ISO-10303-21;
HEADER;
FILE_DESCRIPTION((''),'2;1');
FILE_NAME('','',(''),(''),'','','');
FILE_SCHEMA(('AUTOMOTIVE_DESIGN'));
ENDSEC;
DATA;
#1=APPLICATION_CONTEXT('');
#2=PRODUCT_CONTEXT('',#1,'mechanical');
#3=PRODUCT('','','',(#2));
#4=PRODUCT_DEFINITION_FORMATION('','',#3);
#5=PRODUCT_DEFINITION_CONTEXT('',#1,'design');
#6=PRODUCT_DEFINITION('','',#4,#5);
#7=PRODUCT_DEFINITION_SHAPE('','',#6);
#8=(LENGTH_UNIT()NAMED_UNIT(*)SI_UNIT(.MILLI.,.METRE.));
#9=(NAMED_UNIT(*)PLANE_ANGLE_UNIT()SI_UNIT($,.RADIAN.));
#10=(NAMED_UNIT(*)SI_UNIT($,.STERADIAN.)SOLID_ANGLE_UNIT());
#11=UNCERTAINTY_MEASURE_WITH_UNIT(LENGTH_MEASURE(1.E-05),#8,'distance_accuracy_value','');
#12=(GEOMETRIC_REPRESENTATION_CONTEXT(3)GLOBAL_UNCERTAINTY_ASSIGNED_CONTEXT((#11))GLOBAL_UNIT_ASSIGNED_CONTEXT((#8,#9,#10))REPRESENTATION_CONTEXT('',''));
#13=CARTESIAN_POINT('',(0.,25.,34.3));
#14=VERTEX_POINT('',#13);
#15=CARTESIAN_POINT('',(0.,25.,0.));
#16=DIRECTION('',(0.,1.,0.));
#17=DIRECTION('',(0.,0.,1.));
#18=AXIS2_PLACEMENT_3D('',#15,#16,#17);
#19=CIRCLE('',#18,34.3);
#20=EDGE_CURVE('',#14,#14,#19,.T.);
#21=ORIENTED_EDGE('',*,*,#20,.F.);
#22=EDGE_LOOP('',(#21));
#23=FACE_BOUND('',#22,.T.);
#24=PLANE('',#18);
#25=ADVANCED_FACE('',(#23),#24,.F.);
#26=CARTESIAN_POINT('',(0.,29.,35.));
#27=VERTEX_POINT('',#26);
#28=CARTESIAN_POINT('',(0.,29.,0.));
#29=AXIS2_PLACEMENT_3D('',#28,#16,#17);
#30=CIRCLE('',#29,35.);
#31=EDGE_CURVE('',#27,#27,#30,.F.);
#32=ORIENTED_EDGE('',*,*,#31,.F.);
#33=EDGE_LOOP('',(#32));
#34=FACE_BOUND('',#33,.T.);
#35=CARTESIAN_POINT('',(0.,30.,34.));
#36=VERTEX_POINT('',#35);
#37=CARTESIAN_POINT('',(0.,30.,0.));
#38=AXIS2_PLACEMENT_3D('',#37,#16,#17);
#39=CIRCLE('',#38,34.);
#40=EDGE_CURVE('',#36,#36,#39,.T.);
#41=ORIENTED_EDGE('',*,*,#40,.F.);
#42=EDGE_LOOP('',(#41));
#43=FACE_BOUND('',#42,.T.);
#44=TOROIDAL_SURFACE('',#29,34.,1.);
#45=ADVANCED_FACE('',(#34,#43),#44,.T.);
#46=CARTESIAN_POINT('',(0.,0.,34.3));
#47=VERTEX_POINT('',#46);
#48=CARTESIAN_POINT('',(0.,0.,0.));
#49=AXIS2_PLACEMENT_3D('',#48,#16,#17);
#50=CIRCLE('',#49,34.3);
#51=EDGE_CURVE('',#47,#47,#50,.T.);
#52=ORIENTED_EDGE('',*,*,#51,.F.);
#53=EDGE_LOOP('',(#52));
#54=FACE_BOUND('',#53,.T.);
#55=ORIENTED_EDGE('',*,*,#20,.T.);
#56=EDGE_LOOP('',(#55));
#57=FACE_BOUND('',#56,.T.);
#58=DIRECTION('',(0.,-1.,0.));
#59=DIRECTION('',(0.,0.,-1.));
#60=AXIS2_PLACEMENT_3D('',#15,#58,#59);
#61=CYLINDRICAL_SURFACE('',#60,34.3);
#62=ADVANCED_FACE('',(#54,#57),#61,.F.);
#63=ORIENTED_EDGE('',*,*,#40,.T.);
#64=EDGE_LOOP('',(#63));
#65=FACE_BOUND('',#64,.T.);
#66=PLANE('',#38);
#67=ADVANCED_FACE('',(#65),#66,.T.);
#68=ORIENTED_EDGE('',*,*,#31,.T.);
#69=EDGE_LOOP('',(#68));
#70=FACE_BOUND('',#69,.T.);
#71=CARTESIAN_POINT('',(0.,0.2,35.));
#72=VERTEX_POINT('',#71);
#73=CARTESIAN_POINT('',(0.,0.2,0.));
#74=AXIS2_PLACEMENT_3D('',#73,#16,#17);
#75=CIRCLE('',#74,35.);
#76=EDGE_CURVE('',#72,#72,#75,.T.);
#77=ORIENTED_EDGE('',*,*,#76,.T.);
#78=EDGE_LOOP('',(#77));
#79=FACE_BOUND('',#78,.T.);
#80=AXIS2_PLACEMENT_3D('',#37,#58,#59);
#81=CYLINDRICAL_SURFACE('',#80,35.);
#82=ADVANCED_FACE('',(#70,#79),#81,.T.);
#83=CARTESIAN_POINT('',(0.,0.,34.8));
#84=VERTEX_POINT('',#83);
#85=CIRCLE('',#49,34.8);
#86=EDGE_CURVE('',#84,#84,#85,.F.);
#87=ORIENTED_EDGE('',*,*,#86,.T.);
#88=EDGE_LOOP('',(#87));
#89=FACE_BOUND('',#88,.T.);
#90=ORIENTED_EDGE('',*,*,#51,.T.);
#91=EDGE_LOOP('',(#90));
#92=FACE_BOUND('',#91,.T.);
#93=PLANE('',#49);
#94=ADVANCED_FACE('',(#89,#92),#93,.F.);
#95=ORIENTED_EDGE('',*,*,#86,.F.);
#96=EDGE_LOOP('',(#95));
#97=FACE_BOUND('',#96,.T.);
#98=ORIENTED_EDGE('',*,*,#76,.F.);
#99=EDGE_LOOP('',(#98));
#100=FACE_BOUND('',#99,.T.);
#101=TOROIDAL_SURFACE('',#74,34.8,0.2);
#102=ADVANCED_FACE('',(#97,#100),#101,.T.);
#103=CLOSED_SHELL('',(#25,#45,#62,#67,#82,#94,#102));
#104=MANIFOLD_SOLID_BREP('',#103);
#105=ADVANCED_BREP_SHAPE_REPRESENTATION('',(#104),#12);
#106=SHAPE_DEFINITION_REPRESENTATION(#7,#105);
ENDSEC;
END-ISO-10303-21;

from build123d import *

# Parameters (mm, degrees)
SKETCH1_R           = 35
BOSS_EXTRUDE1_DEPTH = 30
SKETCH2_R           = 34.3
CUT_EXTRUDE1_DEPTH  = 25
FILLET1_R           = 1
FILLET2_R           = 0.2


with BuildPart() as part:
    # Sketch1 → Boss-Extrude1 (new body)
    with BuildSketch(Plane(origin=(0, 0, 0), x_dir=(1, 0, 0), z_dir=(0, 1, 0))):
        Circle(SKETCH1_R)
    extrude(amount=BOSS_EXTRUDE1_DEPTH)

    # Sketch2 → Cut-Extrude1 (cut)
    with BuildSketch(Plane(origin=(0, 0, 0), x_dir=(1, 0, 0), z_dir=(0, 1, 0))):
        Circle(SKETCH2_R)
    extrude(amount=CUT_EXTRUDE1_DEPTH, mode=Mode.SUBTRACT)

    # Fillet1
    fillet1_edges = [part.edges().sort_by_distance(p)[0] for p in [
        (-35, 30, 0),
    ]]
    fillet(fillet1_edges, radius=FILLET1_R)

    # Fillet2
    fillet2_edges = [part.edges().sort_by_distance(p)[0] for p in [
        (-35, 0, 0),
    ]]
    fillet(fillet2_edges, radius=FILLET2_R)


solid = part.part
